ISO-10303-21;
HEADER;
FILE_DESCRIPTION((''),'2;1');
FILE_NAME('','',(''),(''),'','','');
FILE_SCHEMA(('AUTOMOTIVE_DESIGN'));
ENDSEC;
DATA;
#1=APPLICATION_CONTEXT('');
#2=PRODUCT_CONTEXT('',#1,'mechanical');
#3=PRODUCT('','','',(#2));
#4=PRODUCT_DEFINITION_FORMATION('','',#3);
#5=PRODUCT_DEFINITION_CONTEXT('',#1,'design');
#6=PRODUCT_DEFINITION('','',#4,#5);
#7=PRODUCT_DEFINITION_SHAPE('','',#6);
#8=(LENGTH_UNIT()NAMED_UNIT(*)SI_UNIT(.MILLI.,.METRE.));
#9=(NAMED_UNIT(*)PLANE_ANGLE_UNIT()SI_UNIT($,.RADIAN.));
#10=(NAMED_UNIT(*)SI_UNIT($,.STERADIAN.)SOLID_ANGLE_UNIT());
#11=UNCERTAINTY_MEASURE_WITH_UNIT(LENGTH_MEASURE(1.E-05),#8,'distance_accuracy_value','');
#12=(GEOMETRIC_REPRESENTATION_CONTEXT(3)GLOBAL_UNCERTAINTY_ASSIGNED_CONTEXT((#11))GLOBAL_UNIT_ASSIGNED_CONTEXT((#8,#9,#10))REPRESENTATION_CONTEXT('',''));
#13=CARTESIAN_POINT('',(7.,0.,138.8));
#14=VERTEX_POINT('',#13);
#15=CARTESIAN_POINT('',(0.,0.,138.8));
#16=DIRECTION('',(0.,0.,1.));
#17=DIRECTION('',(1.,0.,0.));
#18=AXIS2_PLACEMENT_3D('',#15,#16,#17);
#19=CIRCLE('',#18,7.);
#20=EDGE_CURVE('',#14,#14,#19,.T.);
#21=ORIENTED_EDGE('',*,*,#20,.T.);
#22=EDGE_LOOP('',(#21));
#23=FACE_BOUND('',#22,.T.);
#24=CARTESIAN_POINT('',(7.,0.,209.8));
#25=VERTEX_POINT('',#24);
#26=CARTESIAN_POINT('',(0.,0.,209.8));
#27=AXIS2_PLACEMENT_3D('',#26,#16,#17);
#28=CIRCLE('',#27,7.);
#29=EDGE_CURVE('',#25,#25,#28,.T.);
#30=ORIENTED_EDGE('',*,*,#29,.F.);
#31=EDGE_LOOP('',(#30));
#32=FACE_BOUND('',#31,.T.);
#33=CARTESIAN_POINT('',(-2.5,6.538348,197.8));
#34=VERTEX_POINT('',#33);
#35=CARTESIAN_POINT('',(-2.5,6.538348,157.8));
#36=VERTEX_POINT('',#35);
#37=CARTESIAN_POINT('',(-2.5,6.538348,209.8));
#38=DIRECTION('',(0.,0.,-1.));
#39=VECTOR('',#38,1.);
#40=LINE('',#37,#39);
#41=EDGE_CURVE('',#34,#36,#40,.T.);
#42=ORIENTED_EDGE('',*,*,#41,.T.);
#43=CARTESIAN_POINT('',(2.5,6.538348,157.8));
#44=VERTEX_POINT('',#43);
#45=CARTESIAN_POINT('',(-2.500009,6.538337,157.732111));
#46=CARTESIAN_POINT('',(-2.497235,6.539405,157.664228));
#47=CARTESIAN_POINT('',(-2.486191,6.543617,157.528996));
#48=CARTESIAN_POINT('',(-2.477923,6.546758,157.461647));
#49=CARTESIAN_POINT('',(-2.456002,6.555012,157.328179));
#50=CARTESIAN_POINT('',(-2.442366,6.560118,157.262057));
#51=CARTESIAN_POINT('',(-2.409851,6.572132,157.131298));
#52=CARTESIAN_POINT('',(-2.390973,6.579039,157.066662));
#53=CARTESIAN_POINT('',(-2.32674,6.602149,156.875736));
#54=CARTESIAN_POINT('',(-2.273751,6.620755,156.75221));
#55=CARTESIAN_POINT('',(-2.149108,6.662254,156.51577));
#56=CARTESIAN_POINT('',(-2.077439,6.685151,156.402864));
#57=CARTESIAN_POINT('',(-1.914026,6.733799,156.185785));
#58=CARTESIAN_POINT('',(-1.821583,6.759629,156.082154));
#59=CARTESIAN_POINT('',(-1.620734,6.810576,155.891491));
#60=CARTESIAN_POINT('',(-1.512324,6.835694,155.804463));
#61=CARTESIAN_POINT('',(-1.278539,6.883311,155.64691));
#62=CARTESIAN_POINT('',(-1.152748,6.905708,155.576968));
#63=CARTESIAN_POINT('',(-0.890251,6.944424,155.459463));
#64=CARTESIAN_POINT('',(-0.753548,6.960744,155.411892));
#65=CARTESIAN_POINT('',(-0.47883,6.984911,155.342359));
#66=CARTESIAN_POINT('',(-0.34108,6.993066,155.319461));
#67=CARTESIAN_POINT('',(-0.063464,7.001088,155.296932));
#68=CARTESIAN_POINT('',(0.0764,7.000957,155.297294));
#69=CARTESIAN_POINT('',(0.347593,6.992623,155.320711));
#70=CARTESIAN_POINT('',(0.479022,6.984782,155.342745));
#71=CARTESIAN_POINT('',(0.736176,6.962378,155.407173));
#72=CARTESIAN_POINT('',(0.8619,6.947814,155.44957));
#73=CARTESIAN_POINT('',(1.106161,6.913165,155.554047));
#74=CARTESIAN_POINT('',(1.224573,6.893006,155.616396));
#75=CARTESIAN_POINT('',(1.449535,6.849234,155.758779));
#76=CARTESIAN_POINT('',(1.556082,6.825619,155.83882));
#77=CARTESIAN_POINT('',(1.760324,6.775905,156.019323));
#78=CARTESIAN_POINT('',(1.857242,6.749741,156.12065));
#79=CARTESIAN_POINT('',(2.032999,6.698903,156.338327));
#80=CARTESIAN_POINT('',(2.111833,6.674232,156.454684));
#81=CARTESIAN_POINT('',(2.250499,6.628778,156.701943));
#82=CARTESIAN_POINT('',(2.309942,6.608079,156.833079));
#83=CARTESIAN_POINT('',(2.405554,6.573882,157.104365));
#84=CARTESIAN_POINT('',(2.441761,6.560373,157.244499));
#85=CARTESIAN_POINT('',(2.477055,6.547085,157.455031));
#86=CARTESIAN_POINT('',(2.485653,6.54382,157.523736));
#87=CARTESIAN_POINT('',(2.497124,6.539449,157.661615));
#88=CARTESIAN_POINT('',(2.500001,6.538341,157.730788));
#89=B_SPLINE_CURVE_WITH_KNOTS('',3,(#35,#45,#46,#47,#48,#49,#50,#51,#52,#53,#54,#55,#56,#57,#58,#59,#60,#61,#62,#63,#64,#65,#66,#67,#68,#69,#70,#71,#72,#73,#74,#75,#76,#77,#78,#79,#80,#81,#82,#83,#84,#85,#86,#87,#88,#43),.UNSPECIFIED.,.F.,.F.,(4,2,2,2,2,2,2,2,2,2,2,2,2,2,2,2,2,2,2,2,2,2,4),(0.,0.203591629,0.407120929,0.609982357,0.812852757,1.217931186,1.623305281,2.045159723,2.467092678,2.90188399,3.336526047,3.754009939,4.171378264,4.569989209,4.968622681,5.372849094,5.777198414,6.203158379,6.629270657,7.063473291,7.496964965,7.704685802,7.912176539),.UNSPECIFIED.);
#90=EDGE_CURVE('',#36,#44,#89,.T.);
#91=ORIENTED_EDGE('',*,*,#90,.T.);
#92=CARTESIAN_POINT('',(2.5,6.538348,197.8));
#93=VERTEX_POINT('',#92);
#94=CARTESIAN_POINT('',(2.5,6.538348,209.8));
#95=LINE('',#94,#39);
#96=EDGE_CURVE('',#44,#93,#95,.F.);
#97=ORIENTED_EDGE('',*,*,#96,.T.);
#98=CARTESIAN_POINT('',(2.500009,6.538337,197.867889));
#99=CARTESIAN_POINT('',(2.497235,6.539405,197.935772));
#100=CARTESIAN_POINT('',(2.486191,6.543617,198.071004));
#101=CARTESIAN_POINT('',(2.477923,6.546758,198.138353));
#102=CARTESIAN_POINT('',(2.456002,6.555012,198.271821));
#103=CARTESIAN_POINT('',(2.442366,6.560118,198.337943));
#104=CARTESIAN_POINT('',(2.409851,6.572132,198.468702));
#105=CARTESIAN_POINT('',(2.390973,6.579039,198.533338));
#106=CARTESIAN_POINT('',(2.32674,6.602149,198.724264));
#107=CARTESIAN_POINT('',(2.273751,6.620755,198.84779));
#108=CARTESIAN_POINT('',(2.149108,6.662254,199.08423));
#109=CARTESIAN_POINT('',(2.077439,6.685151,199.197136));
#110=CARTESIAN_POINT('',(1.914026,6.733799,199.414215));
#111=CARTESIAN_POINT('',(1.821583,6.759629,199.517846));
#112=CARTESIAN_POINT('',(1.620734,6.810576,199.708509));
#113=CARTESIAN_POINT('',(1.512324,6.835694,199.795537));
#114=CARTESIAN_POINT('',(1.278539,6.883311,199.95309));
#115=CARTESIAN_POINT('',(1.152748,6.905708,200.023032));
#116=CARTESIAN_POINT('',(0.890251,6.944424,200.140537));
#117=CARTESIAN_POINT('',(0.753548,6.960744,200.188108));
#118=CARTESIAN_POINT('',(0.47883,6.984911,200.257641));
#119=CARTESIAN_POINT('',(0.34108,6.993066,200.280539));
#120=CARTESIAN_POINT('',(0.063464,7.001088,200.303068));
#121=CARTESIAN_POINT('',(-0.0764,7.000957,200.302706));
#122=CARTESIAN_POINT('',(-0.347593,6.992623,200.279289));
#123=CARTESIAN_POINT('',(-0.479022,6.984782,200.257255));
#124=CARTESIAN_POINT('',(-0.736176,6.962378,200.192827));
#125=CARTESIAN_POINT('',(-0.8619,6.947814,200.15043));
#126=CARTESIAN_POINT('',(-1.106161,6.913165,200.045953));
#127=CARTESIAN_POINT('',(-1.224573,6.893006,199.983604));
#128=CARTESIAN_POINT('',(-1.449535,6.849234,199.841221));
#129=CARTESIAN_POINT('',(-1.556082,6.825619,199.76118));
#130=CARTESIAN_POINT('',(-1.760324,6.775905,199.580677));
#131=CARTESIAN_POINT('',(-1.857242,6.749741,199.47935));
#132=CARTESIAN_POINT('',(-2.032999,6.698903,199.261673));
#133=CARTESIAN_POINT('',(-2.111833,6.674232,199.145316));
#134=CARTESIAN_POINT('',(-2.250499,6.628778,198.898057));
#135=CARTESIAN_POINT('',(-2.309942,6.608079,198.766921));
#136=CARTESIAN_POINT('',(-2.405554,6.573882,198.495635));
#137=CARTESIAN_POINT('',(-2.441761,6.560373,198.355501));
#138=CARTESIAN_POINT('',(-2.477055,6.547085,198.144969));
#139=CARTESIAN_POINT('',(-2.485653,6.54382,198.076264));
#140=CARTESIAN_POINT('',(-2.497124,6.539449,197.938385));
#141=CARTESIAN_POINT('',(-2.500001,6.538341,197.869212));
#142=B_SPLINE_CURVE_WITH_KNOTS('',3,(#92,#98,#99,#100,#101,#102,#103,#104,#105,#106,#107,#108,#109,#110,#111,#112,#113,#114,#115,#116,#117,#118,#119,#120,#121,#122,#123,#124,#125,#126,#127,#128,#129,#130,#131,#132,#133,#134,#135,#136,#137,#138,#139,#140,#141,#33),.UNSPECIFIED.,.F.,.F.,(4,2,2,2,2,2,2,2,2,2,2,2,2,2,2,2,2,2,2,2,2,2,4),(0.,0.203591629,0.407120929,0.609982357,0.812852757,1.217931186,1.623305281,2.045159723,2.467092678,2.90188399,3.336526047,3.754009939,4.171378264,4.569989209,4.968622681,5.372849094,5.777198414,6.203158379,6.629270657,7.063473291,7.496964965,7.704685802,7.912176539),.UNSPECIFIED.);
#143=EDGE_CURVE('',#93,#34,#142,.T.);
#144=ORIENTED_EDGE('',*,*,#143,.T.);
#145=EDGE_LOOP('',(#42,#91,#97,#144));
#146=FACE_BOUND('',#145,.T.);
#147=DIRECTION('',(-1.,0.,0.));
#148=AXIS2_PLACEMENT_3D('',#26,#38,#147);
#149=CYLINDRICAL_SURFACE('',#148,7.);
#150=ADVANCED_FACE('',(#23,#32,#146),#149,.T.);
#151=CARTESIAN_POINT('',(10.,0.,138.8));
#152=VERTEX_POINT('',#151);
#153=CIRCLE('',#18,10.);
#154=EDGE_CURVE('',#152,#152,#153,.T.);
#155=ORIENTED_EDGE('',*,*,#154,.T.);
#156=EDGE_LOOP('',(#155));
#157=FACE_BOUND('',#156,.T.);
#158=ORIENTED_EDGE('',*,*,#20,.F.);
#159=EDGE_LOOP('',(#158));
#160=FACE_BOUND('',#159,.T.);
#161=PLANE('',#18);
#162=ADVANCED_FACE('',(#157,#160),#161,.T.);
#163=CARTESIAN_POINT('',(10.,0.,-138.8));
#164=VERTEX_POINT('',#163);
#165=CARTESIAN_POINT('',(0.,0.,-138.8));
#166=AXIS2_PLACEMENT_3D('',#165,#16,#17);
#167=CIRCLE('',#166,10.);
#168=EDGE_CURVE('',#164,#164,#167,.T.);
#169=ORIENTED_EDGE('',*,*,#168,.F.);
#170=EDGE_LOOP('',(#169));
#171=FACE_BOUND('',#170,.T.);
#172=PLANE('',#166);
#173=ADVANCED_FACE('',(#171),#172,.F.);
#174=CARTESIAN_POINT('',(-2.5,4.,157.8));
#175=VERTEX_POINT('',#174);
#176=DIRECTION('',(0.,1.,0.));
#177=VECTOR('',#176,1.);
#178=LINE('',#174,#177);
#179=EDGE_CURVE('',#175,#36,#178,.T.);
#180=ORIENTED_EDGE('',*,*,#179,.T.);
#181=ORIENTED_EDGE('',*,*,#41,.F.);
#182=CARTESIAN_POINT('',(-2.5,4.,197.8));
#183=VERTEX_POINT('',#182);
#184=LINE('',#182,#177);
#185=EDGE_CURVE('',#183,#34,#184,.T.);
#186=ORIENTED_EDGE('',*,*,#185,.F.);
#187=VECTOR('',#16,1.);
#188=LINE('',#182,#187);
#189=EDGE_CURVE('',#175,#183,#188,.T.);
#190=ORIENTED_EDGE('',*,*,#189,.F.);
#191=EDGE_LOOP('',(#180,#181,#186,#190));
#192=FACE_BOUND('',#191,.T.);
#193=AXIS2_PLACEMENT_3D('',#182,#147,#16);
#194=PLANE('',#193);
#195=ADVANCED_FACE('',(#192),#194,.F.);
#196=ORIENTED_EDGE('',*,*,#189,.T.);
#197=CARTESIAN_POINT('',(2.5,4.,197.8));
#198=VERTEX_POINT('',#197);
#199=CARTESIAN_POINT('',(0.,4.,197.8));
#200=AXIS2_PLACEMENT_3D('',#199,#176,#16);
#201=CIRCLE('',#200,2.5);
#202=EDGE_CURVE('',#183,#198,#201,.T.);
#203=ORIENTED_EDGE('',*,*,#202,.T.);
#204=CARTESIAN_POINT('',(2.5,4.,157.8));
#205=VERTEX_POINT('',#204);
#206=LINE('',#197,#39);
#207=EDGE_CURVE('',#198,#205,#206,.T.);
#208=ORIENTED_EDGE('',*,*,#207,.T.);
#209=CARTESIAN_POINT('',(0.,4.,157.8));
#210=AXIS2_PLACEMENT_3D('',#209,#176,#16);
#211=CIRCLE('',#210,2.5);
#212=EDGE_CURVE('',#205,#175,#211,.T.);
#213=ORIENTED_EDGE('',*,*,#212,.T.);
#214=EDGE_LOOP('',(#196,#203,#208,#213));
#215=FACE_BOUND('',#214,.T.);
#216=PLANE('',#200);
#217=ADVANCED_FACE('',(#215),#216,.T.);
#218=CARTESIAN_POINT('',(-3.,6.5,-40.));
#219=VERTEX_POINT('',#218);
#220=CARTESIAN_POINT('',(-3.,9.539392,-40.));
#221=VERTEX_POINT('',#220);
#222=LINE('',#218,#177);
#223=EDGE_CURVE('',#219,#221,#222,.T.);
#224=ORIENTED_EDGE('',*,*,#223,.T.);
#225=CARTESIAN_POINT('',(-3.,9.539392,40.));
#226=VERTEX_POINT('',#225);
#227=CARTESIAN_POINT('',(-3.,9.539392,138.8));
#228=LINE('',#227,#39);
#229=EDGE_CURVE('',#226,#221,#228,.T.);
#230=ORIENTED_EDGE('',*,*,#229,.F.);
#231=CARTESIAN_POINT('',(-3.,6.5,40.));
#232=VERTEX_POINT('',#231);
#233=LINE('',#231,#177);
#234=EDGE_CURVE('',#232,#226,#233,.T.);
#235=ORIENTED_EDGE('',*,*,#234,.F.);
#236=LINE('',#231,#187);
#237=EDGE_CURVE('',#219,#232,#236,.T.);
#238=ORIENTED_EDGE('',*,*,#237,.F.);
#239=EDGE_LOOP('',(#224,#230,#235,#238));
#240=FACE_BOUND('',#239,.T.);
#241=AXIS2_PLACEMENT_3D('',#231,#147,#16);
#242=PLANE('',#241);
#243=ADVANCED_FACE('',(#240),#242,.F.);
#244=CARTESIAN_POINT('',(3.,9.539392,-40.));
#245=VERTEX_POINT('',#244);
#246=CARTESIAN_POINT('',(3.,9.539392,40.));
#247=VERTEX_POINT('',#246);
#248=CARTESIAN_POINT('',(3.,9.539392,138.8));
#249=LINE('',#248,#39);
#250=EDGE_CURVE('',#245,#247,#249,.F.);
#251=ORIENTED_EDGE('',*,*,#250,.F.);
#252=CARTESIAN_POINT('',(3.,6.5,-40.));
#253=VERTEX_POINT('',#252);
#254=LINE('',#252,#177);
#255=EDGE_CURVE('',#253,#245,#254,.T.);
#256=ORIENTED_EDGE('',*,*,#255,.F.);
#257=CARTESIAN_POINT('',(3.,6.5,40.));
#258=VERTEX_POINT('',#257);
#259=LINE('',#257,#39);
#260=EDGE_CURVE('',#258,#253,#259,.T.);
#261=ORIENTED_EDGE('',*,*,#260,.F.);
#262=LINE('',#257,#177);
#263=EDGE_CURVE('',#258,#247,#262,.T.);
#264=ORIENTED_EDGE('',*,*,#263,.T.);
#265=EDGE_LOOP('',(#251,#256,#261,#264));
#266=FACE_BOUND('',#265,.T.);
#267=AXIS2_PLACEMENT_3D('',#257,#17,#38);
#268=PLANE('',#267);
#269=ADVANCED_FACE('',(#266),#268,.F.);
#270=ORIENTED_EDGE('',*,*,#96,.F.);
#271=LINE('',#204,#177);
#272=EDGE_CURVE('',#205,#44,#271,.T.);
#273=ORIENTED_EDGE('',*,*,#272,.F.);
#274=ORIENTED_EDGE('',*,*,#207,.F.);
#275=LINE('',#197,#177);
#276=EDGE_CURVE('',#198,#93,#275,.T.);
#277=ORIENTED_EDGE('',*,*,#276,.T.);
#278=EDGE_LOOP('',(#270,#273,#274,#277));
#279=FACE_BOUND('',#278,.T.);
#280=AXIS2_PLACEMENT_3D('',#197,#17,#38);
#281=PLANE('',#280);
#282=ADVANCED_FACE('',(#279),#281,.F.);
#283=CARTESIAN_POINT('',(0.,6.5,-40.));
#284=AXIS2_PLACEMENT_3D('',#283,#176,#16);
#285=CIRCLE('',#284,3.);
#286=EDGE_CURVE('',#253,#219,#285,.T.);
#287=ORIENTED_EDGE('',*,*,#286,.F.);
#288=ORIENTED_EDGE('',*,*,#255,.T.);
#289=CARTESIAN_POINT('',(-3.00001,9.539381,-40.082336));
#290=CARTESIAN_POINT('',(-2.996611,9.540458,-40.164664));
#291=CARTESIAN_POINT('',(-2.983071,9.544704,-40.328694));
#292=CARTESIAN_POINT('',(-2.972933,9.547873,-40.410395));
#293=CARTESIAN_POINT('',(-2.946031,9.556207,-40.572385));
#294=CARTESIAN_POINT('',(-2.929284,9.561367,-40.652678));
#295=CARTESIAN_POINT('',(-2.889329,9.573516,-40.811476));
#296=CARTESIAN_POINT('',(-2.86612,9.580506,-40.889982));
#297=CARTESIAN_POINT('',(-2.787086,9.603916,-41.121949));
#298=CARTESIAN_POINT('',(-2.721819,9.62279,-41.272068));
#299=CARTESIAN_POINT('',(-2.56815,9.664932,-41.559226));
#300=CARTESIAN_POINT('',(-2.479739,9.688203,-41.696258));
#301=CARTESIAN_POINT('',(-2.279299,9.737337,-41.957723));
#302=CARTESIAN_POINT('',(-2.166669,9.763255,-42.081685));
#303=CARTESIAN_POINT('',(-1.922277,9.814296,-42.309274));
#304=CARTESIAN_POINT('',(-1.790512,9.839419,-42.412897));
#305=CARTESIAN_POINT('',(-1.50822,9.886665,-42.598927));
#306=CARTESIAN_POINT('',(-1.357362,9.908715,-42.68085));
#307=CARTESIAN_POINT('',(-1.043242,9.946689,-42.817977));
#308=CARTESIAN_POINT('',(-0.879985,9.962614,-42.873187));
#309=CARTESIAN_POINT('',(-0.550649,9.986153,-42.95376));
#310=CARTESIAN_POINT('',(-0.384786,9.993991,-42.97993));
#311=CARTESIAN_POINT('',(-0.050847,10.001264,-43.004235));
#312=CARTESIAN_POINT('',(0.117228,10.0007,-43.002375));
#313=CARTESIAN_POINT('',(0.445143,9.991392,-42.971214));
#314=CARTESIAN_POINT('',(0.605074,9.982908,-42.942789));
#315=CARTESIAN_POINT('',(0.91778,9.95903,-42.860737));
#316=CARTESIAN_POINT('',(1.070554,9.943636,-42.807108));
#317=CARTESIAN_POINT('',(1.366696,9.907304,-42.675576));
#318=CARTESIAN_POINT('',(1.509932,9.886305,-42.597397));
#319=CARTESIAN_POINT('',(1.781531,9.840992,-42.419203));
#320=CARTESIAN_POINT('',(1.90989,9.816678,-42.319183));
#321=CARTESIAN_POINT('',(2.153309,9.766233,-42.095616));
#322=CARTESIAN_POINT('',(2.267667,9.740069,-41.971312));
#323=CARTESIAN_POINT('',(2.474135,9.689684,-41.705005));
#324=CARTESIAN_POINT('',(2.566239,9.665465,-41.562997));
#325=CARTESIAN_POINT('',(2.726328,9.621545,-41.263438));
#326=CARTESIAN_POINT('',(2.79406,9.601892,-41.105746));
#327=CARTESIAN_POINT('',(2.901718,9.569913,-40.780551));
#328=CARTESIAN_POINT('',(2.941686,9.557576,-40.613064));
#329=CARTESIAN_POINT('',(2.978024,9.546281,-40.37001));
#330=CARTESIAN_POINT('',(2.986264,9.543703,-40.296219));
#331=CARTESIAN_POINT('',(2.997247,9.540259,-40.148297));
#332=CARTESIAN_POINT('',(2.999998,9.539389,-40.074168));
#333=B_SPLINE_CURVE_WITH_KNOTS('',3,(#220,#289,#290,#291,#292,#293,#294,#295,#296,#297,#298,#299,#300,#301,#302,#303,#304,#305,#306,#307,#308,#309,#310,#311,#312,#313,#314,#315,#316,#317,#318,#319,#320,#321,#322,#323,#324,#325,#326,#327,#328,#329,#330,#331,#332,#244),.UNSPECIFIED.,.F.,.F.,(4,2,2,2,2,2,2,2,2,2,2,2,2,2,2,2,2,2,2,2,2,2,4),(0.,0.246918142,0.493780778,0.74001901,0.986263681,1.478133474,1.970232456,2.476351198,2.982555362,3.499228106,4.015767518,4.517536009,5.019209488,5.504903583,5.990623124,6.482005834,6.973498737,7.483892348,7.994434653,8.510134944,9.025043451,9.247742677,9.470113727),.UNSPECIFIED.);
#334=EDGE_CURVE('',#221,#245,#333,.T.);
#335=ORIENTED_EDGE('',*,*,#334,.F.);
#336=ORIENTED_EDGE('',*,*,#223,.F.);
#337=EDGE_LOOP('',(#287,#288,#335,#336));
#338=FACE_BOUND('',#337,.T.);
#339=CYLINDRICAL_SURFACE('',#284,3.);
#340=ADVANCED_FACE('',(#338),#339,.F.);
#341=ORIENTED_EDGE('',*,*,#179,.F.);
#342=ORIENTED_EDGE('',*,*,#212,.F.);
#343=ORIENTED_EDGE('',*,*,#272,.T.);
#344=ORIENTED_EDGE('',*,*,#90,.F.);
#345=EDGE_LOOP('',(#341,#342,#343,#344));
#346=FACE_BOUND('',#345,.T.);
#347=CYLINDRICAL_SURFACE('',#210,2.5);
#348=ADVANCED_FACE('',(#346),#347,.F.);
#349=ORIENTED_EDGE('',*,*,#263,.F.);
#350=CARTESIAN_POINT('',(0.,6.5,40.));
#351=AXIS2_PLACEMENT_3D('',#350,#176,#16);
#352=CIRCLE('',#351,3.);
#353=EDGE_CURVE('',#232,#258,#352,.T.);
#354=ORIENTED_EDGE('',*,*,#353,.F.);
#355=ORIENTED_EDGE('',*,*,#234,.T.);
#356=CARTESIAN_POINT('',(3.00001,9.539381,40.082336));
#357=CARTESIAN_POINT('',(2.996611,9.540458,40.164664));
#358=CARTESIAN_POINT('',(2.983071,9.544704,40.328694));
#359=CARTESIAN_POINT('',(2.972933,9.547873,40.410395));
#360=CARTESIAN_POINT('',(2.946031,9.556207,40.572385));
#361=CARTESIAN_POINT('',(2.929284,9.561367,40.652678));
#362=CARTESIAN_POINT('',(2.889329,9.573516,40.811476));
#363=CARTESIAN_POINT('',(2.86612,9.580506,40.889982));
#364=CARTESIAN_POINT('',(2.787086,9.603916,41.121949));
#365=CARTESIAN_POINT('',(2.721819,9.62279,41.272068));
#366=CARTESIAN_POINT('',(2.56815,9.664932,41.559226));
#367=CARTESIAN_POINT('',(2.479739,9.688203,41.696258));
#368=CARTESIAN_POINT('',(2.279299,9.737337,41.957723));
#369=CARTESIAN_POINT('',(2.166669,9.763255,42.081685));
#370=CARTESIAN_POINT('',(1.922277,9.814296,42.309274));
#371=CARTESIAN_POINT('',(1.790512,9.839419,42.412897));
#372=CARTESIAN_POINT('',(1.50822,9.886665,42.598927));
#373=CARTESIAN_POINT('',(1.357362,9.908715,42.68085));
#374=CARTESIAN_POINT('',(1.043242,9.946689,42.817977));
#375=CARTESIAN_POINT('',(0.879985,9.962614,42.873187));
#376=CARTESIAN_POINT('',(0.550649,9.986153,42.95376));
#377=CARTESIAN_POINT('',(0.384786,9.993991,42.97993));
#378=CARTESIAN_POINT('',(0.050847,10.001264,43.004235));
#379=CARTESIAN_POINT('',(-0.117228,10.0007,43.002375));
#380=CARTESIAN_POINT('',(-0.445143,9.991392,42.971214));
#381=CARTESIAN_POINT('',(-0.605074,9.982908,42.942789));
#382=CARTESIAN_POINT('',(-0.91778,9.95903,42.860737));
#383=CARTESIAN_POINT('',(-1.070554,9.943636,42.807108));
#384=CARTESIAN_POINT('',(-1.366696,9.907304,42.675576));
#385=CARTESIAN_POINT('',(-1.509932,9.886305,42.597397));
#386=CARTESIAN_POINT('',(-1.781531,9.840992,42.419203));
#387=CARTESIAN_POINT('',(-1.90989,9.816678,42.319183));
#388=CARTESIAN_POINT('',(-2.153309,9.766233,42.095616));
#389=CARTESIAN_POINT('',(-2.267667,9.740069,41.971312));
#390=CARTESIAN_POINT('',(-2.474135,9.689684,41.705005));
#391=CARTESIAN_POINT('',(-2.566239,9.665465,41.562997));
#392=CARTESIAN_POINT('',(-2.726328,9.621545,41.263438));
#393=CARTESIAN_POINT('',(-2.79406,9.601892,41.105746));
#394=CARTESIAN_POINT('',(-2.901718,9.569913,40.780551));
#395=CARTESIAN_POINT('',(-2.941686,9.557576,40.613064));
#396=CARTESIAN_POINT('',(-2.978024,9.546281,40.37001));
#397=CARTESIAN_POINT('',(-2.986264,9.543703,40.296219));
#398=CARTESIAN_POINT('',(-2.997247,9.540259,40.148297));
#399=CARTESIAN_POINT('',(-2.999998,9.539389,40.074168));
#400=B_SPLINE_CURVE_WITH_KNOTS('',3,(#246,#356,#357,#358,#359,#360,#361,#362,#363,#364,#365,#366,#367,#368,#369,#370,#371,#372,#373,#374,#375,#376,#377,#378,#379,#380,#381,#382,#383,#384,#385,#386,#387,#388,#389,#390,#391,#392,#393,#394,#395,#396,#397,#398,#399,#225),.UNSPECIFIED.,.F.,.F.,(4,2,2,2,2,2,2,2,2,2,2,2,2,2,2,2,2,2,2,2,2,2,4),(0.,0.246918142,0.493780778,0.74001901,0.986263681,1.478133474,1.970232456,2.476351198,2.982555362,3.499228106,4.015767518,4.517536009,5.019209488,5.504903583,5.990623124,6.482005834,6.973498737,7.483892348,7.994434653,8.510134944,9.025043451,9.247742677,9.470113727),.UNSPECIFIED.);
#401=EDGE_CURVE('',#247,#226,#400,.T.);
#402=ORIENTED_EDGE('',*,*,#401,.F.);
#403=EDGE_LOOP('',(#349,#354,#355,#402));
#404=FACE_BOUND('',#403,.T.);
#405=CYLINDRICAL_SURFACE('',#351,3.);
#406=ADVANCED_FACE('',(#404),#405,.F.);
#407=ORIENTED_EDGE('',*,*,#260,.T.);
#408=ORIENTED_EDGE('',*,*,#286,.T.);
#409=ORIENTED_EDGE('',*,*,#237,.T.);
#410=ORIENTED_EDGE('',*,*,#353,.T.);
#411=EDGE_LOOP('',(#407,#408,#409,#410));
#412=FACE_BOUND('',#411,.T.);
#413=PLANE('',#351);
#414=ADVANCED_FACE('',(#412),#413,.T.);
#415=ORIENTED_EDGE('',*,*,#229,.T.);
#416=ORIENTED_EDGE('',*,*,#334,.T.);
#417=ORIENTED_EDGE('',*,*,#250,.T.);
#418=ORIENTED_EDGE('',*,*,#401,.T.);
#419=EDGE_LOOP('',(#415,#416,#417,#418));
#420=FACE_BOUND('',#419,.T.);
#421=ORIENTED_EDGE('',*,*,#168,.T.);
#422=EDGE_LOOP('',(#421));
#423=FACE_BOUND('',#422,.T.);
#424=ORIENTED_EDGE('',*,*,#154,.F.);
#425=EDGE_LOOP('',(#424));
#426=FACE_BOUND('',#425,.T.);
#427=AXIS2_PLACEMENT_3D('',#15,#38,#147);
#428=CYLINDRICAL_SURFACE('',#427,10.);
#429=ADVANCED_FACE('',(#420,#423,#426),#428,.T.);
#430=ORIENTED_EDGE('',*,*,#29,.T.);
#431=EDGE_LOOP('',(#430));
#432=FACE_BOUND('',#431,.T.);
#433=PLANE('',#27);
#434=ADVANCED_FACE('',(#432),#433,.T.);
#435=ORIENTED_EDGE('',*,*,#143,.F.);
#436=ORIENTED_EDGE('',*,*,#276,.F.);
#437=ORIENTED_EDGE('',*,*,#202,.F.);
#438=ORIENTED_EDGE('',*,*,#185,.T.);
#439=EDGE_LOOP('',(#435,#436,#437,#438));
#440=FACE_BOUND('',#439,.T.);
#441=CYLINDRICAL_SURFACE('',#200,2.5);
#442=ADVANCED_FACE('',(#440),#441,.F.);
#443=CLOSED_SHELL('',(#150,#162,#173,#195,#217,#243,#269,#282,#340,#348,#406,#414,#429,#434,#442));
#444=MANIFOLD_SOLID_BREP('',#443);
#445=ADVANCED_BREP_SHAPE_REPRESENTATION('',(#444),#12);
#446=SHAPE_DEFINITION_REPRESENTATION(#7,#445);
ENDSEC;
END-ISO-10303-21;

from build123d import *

# Parameters (mm, degrees)
SKETCH1_R           = 10
BOSS_EXTRUDE1_DEPTH = 138.8
SKETCH2_R           = 7
BOSS_EXTRUDE2_DEPTH = 71
CUT_EXTRUDE1_DEPTH  = 3
CUT_EXTRUDE2_DEPTH  = 3.5


with BuildPart() as part:
    # Sketch1 → Boss-Extrude1 (new, symmetric)
    with BuildSketch(Plane.XY):
        Circle(SKETCH1_R)
    extrude(amount=BOSS_EXTRUDE1_DEPTH, both=True)

    # Sketch2 → Boss-Extrude2 (add)
    with BuildSketch(Plane.XY.offset(138.8)):
        Circle(SKETCH2_R)
    extrude(amount=BOSS_EXTRUDE2_DEPTH)

    # Sketch4 → Cut-Extrude1 (cut)
    with BuildSketch(Plane(origin=(0, 7, 0), x_dir=(1, 0, 0), z_dir=(0, 1, 0))):
        with BuildLine():
            Line((-2.5, -197.8), (-2.5, -157.8))
            ThreePointArc((-2.5, -157.8), (0, -155.3), (2.5, -157.8))
            Line((2.5, -157.8), (2.5, -197.8))
            ThreePointArc((2.5, -197.8), (0, -200.3), (-2.5, -197.8))
        make_face()
    extrude(amount=-CUT_EXTRUDE1_DEPTH, mode=Mode.SUBTRACT)

    # Sketch5 → Cut-Extrude2 (cut)
    with BuildSketch(Plane(origin=(0, 10, 0), x_dir=(1, 0, 0), z_dir=(0, 1, 0))):
        with BuildLine():
            Line((-3, -40), (-3, 40))
            ThreePointArc((-3, 40), (0, 43), (3, 40))
            Line((3, 40), (3, -40))
            ThreePointArc((3, -40), (0, -43), (-3, -40))
        make_face()
    extrude(amount=-CUT_EXTRUDE2_DEPTH, mode=Mode.SUBTRACT)


solid = part.part
